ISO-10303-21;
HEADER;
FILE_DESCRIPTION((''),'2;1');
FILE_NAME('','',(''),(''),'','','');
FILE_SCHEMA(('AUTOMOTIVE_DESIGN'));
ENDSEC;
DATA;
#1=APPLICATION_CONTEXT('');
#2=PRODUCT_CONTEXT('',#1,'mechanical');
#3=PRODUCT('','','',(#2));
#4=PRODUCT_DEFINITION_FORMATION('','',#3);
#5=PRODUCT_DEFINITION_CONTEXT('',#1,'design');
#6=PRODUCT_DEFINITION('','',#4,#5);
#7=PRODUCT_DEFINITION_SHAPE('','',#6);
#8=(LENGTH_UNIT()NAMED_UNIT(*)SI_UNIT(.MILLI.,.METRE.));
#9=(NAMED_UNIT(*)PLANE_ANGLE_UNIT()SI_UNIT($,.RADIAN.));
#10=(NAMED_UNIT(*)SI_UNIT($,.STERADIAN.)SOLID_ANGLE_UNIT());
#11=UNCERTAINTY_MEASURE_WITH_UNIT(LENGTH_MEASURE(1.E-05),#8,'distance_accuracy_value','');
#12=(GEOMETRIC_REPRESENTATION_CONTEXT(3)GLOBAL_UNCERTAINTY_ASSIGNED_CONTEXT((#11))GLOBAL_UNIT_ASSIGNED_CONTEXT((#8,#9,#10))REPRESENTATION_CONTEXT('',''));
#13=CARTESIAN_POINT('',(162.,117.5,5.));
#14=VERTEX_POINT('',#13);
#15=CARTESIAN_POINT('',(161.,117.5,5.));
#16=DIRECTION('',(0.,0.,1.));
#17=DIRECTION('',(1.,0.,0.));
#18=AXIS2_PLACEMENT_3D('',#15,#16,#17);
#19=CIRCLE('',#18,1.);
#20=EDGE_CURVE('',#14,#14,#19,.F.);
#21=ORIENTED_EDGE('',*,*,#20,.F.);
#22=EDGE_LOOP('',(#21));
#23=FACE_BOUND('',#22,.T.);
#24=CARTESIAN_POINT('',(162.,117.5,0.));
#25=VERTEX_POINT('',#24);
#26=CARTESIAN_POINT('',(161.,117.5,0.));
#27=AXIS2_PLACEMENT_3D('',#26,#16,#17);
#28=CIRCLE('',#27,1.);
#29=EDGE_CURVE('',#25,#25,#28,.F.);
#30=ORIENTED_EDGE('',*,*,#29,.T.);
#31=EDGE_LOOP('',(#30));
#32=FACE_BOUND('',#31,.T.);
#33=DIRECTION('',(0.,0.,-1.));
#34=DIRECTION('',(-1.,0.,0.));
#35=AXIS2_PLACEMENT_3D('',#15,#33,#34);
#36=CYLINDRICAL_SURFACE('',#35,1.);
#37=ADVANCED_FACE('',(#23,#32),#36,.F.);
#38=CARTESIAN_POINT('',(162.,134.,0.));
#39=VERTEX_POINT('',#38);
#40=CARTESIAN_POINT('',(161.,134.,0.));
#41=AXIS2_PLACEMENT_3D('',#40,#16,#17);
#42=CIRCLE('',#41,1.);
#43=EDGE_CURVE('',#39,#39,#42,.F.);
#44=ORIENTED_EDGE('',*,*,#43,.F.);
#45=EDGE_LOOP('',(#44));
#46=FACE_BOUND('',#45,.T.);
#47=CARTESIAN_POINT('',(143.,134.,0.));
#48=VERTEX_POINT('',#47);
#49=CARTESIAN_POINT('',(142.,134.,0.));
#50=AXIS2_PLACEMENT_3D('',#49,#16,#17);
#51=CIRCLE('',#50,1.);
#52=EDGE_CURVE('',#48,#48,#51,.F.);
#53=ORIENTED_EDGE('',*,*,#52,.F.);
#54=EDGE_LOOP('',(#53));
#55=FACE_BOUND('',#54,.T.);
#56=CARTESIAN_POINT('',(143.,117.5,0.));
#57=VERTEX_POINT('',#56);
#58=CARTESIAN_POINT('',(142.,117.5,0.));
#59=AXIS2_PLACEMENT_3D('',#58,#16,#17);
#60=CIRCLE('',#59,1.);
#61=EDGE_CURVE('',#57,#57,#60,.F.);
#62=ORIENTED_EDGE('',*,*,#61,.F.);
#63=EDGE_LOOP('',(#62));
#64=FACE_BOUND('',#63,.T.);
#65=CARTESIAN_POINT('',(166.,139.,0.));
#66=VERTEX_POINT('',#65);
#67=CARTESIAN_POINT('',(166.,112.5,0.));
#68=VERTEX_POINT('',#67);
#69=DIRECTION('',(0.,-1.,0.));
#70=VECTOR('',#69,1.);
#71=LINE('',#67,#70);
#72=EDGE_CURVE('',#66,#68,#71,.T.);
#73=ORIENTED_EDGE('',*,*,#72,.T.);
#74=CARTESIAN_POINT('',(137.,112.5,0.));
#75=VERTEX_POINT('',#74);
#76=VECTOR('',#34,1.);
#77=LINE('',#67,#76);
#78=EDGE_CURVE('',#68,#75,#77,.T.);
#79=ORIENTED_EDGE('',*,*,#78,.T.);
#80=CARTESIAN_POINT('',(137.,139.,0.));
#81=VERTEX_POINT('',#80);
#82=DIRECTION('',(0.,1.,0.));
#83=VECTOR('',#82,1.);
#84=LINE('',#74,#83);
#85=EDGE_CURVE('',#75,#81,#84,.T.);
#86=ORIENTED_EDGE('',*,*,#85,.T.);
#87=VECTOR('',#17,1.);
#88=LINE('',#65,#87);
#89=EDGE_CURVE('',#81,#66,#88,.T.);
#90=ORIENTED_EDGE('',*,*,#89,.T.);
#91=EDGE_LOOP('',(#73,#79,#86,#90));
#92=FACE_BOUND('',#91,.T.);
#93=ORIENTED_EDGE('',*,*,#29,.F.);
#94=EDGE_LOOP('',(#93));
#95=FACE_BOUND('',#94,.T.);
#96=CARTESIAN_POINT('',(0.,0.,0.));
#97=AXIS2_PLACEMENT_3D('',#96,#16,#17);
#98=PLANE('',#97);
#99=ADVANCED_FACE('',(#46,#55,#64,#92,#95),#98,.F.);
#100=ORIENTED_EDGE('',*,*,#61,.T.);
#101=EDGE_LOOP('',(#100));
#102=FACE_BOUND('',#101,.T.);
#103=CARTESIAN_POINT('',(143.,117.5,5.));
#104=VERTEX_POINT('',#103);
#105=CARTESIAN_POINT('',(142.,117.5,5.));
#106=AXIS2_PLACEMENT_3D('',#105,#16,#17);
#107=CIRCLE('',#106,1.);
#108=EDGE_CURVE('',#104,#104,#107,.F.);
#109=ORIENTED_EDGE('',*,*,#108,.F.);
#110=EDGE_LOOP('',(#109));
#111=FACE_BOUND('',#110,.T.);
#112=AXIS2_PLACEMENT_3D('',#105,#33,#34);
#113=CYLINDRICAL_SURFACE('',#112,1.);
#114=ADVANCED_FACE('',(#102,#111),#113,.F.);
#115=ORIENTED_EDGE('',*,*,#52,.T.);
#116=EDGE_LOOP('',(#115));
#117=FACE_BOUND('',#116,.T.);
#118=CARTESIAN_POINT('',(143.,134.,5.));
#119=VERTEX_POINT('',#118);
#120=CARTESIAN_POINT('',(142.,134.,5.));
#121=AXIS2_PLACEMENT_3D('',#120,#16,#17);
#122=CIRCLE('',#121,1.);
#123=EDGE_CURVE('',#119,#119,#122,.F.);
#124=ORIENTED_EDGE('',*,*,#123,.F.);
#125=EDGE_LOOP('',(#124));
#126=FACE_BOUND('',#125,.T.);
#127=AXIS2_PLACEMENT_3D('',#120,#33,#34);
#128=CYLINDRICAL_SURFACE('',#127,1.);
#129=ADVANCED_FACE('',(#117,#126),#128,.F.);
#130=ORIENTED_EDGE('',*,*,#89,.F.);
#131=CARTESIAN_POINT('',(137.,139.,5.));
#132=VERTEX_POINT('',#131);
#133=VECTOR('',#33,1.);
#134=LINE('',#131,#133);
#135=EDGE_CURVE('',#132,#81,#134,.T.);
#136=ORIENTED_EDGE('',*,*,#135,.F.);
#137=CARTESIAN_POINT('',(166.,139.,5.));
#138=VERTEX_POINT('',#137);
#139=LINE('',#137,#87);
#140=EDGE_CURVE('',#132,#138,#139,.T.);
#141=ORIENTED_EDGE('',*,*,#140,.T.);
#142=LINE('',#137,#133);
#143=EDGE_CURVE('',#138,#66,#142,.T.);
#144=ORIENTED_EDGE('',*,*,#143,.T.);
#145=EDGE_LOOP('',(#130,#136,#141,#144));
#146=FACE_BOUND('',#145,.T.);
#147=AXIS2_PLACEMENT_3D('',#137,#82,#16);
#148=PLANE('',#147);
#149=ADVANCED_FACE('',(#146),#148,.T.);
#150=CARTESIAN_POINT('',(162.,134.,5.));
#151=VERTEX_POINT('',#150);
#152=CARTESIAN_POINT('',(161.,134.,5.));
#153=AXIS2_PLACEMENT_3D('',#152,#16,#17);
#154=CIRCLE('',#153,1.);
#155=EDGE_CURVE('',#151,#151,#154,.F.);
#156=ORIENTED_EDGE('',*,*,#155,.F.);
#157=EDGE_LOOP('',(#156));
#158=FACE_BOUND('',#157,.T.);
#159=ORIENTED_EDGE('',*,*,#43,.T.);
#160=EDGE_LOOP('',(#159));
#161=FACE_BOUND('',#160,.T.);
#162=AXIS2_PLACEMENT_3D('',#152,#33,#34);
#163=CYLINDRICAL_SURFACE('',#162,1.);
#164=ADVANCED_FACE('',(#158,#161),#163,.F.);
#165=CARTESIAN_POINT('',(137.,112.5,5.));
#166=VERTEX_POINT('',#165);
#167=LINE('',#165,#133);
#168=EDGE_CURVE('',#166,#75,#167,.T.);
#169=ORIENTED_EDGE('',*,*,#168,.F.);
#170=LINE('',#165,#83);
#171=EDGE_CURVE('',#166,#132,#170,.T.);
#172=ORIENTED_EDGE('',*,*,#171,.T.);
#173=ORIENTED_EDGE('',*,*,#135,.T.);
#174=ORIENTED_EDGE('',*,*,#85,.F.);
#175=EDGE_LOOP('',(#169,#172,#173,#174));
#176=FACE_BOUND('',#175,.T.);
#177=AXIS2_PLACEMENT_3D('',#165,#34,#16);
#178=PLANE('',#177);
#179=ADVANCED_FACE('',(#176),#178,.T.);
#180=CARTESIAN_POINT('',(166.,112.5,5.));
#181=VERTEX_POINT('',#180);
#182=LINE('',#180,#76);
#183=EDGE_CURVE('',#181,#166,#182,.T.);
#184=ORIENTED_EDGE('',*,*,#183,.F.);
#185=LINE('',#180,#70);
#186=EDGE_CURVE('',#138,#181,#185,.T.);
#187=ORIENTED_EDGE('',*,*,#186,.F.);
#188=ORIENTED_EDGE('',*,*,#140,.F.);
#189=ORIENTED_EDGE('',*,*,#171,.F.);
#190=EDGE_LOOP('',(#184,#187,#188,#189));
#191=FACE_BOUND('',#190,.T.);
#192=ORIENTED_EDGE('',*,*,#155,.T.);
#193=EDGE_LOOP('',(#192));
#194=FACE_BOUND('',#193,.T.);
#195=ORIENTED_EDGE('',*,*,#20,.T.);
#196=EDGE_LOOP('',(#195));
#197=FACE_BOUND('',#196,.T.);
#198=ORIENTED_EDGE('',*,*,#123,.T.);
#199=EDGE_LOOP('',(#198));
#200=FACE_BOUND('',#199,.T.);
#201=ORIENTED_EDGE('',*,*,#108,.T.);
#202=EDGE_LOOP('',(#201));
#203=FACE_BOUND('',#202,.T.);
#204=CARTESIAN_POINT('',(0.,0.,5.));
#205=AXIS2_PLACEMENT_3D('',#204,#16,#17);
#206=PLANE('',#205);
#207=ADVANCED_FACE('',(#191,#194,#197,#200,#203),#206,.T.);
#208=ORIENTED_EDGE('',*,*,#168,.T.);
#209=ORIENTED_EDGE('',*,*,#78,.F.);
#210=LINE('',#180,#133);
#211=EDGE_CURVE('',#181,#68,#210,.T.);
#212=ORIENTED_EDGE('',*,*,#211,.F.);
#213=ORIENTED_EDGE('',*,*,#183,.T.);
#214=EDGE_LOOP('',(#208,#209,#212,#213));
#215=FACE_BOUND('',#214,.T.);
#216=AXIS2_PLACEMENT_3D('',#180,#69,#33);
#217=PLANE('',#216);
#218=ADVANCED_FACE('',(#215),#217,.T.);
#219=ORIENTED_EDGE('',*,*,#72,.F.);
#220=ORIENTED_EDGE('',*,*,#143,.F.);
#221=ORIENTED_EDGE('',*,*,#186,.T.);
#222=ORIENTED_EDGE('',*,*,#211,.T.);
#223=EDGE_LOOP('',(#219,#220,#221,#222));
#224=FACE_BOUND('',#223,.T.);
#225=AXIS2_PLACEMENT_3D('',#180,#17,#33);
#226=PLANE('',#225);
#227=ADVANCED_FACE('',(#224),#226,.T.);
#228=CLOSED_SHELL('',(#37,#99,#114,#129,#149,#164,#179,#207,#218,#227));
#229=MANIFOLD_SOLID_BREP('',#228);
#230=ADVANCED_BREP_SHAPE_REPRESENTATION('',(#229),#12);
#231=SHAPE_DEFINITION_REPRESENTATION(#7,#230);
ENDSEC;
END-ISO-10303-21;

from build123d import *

# Parameters (mm, degrees)
SKETCH1_W           = 66
SKETCH1_H           = 50
SKETCH1_R           = 1
BOSS_EXTRUDE1_DEPTH = 5
SKETCH2_R           = 1
CUT_EXTRUDE1_DEPTH  = 388.996134001
SKETCH3_R           = 1
SKETCH3_W           = 20
SKETCH3_H           = 5
CUT_EXTRUDE2_DEPTH  = 388.996134001
CUT_EXTRUDE3_DEPTH  = 388.996134001
SKETCH5_OUTSIDE_W   = 171.322
SKETCH5_OUTSIDE_H   = 295.322
SKETCH5_OUTSIDE_W_2 = 29
SKETCH5_OUTSIDE_H_2 = 26.5
CUT_EXTRUDE4_DEPTH  = 388.996134001


with BuildPart() as part:
    # Sketch1 → Boss-Extrude1 (new body)
    # profile 1 of 3: a face of its own
    with BuildSketch(Plane.XY):
        with Locations((-33, 85)):
            Rectangle(SKETCH1_W, SKETCH1_H)
    # profile 2 of 3: a face of its own
    with BuildSketch(Plane.XY):
        Polygon((0, 60), (0, 0), (180, 0), (180, 60), (180, 110), (180, 300), (130, 300), (130, 150), (50, 150), (50, 300), (0, 300), (0, 110), align=None)
        with Locations((19, 117.5)):
            Circle(SKETCH1_R, mode=Mode.SUBTRACT)
        with Locations((38, 117.5)):
            Circle(SKETCH1_R, mode=Mode.SUBTRACT)
        with Locations((19, 134)):
            Circle(SKETCH1_R, mode=Mode.SUBTRACT)
        with Locations((38, 134)):
            Circle(SKETCH1_R, mode=Mode.SUBTRACT)
        with Locations((142, 117.5)):
            Circle(SKETCH1_R, mode=Mode.SUBTRACT)
        with Locations((161, 117.5)):
            Circle(SKETCH1_R, mode=Mode.SUBTRACT)
        with Locations((142, 134)):
            Circle(SKETCH1_R, mode=Mode.SUBTRACT)
        with Locations((161, 134)):
            Circle(SKETCH1_R, mode=Mode.SUBTRACT)
    # profile 3 of 3: a face of its own
    with BuildSketch(Plane.XY):
        with Locations((213, 85)):
            Rectangle(SKETCH1_W, SKETCH1_H)
    extrude(amount=BOSS_EXTRUDE1_DEPTH)

    # Sketch2 → Cut-Extrude1 (cut, through all)
    with BuildSketch(Plane.XY.offset(5)):
        with Locations((-58, 103)):
            Circle(SKETCH2_R)
        with Locations((-58, 67)):
            Circle(SKETCH2_R)
        with Locations(Location((238, 67, 0), (0, 0, 180))):
            Circle(SKETCH2_R)
        with Locations(Location((238, 103, 0), (0, 0, 180))):
            Circle(SKETCH2_R)
    extrude(amount=-CUT_EXTRUDE1_DEPTH, mode=Mode.SUBTRACT)

    # Sketch3 → Cut-Extrude2 (cut, through all)
    with BuildSketch(Plane.XY.offset(5)):
        with Locations((19, 77)):
            Circle(SKETCH3_R)
        with Locations((19, 99.5)):
            Circle(SKETCH3_R)
        with Locations(Location((161, 77, 0), (0, 0, 180))):
            Circle(SKETCH3_R)
        with Locations(Location((161, 99.5, 0), (0, 0, 180))):
            Circle(SKETCH3_R)
        with Locations((-6, 90)):
            Rectangle(SKETCH3_W, SKETCH3_H)
        with Locations((186, 90)):
            Rectangle(SKETCH3_W, SKETCH3_H)
    extrude(amount=-CUT_EXTRUDE2_DEPTH, mode=Mode.SUBTRACT)

    # Sketch4 → Cut-Extrude3 (cut, through all)
    with BuildSketch(Plane.XY.offset(5)):
        Polygon((180, 60), (130, 60), (130, 150), (65.062754068, 311.897276324), (-51.051297303, 321.248743549), (-107.939389585, -9.16976505), (175.332138424, -20.859099081), (198.321162017, 8.753880463), align=None)
    extrude(amount=-CUT_EXTRUDE3_DEPTH, mode=Mode.SUBTRACT)

    # Sketch5 outside → Cut-Extrude4 (cut, through all)
    with BuildSketch(Plane(origin=(0, 0, 0), x_dir=(-1, 0, 0), z_dir=(0, 0, -1))):
        with Locations((-188, 180)):
            Rectangle(SKETCH5_OUTSIDE_W, SKETCH5_OUTSIDE_H)
        with Locations((-151.5, 125.75)):
            Rectangle(SKETCH5_OUTSIDE_W_2, SKETCH5_OUTSIDE_H_2, mode=Mode.SUBTRACT)
    extrude(amount=-CUT_EXTRUDE4_DEPTH, mode=Mode.SUBTRACT)


solid = part.part
